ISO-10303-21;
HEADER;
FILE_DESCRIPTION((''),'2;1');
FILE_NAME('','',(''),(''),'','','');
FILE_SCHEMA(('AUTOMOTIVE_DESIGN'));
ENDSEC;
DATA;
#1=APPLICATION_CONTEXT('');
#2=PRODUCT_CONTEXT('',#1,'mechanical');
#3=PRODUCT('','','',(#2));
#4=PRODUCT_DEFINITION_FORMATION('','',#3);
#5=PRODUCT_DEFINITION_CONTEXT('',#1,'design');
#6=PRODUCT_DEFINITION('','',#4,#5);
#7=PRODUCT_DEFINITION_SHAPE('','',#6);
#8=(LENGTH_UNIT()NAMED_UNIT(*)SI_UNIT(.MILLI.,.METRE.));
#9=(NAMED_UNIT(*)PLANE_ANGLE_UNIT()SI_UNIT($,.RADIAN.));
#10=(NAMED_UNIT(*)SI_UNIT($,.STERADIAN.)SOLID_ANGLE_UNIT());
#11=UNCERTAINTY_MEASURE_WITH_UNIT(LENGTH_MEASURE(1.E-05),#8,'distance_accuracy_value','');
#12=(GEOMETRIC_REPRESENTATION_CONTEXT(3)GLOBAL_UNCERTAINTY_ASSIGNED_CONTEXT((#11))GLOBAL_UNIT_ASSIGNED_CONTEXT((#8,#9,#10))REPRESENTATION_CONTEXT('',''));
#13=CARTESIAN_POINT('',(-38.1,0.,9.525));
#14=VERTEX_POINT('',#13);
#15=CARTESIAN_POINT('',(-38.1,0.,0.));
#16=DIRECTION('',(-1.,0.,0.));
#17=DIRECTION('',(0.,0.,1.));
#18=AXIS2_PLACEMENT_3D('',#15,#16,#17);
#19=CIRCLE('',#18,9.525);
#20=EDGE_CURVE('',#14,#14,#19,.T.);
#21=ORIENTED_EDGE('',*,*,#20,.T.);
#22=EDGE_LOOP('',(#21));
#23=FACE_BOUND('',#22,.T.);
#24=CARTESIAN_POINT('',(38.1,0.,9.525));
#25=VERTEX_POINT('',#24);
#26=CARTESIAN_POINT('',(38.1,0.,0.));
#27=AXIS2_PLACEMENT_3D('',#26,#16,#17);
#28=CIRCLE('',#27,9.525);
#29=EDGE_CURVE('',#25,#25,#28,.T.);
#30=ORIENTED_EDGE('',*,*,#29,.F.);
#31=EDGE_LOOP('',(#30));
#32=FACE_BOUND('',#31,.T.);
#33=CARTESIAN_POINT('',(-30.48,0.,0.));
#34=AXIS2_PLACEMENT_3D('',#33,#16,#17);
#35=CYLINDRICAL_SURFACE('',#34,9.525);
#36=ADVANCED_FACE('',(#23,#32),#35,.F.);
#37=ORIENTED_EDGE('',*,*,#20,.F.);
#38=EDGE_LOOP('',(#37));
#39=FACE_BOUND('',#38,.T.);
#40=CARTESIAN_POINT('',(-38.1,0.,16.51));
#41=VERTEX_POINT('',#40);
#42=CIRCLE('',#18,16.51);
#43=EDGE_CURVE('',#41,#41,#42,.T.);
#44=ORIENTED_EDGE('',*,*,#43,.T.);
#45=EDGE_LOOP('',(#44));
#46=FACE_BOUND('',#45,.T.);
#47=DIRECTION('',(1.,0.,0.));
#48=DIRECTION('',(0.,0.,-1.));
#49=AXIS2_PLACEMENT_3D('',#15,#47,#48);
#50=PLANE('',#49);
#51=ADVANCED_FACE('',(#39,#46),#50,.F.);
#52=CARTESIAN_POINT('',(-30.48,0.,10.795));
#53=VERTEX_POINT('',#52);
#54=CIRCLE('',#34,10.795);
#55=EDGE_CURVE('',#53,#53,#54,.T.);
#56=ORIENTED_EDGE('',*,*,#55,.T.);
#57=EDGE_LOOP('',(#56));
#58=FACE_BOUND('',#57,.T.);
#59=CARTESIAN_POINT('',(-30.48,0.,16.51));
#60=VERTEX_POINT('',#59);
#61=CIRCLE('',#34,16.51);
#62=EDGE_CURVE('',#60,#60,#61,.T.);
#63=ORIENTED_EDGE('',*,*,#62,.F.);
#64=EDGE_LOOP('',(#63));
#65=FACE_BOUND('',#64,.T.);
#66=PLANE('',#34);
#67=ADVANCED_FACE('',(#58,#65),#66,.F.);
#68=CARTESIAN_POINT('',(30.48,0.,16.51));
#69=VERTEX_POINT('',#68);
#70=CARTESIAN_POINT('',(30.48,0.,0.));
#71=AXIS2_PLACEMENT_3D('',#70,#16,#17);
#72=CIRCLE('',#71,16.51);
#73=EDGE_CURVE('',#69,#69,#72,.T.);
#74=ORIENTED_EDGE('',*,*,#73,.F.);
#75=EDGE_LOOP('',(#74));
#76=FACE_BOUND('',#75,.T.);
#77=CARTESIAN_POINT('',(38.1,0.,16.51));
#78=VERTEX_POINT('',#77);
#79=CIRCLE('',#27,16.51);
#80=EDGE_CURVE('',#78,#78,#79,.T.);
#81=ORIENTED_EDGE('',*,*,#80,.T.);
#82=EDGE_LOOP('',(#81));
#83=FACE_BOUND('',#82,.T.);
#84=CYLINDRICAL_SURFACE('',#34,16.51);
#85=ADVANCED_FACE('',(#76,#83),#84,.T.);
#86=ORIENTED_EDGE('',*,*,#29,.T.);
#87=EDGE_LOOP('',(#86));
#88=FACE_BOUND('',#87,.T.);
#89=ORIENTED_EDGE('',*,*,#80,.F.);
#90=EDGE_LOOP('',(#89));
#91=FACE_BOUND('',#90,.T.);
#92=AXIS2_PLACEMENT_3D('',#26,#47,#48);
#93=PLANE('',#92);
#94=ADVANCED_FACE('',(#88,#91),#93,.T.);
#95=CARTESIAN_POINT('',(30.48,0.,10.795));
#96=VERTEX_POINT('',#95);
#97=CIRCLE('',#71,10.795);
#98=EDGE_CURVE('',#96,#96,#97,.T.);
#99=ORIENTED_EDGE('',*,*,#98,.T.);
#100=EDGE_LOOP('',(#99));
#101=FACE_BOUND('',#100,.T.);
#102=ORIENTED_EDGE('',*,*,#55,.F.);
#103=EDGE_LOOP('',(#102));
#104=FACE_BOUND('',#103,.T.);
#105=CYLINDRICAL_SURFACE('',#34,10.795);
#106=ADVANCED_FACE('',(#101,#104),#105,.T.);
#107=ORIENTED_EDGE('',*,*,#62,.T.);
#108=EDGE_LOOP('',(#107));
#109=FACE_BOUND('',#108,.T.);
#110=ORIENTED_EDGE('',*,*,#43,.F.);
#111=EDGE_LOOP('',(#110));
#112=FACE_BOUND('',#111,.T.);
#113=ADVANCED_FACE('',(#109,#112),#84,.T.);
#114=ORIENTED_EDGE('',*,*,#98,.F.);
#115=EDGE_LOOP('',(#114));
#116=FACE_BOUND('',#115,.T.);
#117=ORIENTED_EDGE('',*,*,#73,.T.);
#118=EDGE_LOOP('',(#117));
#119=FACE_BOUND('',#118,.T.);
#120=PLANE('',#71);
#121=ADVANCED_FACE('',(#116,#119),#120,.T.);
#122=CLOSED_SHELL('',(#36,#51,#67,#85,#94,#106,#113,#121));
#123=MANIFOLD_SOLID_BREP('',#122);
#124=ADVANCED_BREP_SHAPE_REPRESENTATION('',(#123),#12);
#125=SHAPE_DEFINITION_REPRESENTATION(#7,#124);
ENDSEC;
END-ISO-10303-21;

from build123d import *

# Parameters (mm, degrees)
SKETCH1_W = 30.48
SKETCH1_H = 1.27


with BuildPart() as part:
    # Sketch1 → Revolve2 (revolve)
    with BuildSketch(Plane.XY, mode=Mode.PRIVATE) as revolve2_sk:
        with Locations((15.24, 10.16)):
            Rectangle(SKETCH1_W, SKETCH1_H)
        with Locations((-15.24, 10.16)):
            Rectangle(SKETCH1_W, SKETCH1_H)
        Polygon((30.48, 10.795), (30.48, 9.525), (38.1, 9.525), (38.1, 16.51), (30.48, 16.51), align=None)
        Polygon((-38.1, 9.525), (-30.48, 9.525), (-30.48, 10.795), (-30.48, 16.51), (-38.1, 16.51), align=None)
    revolve(revolve2_sk.sketch.rotate(Axis((-30.48, 0, 0), (1, 0, 0)), 90), axis=Axis((-30.48, 0, 0), (1, 0, 0)))


solid = part.part
